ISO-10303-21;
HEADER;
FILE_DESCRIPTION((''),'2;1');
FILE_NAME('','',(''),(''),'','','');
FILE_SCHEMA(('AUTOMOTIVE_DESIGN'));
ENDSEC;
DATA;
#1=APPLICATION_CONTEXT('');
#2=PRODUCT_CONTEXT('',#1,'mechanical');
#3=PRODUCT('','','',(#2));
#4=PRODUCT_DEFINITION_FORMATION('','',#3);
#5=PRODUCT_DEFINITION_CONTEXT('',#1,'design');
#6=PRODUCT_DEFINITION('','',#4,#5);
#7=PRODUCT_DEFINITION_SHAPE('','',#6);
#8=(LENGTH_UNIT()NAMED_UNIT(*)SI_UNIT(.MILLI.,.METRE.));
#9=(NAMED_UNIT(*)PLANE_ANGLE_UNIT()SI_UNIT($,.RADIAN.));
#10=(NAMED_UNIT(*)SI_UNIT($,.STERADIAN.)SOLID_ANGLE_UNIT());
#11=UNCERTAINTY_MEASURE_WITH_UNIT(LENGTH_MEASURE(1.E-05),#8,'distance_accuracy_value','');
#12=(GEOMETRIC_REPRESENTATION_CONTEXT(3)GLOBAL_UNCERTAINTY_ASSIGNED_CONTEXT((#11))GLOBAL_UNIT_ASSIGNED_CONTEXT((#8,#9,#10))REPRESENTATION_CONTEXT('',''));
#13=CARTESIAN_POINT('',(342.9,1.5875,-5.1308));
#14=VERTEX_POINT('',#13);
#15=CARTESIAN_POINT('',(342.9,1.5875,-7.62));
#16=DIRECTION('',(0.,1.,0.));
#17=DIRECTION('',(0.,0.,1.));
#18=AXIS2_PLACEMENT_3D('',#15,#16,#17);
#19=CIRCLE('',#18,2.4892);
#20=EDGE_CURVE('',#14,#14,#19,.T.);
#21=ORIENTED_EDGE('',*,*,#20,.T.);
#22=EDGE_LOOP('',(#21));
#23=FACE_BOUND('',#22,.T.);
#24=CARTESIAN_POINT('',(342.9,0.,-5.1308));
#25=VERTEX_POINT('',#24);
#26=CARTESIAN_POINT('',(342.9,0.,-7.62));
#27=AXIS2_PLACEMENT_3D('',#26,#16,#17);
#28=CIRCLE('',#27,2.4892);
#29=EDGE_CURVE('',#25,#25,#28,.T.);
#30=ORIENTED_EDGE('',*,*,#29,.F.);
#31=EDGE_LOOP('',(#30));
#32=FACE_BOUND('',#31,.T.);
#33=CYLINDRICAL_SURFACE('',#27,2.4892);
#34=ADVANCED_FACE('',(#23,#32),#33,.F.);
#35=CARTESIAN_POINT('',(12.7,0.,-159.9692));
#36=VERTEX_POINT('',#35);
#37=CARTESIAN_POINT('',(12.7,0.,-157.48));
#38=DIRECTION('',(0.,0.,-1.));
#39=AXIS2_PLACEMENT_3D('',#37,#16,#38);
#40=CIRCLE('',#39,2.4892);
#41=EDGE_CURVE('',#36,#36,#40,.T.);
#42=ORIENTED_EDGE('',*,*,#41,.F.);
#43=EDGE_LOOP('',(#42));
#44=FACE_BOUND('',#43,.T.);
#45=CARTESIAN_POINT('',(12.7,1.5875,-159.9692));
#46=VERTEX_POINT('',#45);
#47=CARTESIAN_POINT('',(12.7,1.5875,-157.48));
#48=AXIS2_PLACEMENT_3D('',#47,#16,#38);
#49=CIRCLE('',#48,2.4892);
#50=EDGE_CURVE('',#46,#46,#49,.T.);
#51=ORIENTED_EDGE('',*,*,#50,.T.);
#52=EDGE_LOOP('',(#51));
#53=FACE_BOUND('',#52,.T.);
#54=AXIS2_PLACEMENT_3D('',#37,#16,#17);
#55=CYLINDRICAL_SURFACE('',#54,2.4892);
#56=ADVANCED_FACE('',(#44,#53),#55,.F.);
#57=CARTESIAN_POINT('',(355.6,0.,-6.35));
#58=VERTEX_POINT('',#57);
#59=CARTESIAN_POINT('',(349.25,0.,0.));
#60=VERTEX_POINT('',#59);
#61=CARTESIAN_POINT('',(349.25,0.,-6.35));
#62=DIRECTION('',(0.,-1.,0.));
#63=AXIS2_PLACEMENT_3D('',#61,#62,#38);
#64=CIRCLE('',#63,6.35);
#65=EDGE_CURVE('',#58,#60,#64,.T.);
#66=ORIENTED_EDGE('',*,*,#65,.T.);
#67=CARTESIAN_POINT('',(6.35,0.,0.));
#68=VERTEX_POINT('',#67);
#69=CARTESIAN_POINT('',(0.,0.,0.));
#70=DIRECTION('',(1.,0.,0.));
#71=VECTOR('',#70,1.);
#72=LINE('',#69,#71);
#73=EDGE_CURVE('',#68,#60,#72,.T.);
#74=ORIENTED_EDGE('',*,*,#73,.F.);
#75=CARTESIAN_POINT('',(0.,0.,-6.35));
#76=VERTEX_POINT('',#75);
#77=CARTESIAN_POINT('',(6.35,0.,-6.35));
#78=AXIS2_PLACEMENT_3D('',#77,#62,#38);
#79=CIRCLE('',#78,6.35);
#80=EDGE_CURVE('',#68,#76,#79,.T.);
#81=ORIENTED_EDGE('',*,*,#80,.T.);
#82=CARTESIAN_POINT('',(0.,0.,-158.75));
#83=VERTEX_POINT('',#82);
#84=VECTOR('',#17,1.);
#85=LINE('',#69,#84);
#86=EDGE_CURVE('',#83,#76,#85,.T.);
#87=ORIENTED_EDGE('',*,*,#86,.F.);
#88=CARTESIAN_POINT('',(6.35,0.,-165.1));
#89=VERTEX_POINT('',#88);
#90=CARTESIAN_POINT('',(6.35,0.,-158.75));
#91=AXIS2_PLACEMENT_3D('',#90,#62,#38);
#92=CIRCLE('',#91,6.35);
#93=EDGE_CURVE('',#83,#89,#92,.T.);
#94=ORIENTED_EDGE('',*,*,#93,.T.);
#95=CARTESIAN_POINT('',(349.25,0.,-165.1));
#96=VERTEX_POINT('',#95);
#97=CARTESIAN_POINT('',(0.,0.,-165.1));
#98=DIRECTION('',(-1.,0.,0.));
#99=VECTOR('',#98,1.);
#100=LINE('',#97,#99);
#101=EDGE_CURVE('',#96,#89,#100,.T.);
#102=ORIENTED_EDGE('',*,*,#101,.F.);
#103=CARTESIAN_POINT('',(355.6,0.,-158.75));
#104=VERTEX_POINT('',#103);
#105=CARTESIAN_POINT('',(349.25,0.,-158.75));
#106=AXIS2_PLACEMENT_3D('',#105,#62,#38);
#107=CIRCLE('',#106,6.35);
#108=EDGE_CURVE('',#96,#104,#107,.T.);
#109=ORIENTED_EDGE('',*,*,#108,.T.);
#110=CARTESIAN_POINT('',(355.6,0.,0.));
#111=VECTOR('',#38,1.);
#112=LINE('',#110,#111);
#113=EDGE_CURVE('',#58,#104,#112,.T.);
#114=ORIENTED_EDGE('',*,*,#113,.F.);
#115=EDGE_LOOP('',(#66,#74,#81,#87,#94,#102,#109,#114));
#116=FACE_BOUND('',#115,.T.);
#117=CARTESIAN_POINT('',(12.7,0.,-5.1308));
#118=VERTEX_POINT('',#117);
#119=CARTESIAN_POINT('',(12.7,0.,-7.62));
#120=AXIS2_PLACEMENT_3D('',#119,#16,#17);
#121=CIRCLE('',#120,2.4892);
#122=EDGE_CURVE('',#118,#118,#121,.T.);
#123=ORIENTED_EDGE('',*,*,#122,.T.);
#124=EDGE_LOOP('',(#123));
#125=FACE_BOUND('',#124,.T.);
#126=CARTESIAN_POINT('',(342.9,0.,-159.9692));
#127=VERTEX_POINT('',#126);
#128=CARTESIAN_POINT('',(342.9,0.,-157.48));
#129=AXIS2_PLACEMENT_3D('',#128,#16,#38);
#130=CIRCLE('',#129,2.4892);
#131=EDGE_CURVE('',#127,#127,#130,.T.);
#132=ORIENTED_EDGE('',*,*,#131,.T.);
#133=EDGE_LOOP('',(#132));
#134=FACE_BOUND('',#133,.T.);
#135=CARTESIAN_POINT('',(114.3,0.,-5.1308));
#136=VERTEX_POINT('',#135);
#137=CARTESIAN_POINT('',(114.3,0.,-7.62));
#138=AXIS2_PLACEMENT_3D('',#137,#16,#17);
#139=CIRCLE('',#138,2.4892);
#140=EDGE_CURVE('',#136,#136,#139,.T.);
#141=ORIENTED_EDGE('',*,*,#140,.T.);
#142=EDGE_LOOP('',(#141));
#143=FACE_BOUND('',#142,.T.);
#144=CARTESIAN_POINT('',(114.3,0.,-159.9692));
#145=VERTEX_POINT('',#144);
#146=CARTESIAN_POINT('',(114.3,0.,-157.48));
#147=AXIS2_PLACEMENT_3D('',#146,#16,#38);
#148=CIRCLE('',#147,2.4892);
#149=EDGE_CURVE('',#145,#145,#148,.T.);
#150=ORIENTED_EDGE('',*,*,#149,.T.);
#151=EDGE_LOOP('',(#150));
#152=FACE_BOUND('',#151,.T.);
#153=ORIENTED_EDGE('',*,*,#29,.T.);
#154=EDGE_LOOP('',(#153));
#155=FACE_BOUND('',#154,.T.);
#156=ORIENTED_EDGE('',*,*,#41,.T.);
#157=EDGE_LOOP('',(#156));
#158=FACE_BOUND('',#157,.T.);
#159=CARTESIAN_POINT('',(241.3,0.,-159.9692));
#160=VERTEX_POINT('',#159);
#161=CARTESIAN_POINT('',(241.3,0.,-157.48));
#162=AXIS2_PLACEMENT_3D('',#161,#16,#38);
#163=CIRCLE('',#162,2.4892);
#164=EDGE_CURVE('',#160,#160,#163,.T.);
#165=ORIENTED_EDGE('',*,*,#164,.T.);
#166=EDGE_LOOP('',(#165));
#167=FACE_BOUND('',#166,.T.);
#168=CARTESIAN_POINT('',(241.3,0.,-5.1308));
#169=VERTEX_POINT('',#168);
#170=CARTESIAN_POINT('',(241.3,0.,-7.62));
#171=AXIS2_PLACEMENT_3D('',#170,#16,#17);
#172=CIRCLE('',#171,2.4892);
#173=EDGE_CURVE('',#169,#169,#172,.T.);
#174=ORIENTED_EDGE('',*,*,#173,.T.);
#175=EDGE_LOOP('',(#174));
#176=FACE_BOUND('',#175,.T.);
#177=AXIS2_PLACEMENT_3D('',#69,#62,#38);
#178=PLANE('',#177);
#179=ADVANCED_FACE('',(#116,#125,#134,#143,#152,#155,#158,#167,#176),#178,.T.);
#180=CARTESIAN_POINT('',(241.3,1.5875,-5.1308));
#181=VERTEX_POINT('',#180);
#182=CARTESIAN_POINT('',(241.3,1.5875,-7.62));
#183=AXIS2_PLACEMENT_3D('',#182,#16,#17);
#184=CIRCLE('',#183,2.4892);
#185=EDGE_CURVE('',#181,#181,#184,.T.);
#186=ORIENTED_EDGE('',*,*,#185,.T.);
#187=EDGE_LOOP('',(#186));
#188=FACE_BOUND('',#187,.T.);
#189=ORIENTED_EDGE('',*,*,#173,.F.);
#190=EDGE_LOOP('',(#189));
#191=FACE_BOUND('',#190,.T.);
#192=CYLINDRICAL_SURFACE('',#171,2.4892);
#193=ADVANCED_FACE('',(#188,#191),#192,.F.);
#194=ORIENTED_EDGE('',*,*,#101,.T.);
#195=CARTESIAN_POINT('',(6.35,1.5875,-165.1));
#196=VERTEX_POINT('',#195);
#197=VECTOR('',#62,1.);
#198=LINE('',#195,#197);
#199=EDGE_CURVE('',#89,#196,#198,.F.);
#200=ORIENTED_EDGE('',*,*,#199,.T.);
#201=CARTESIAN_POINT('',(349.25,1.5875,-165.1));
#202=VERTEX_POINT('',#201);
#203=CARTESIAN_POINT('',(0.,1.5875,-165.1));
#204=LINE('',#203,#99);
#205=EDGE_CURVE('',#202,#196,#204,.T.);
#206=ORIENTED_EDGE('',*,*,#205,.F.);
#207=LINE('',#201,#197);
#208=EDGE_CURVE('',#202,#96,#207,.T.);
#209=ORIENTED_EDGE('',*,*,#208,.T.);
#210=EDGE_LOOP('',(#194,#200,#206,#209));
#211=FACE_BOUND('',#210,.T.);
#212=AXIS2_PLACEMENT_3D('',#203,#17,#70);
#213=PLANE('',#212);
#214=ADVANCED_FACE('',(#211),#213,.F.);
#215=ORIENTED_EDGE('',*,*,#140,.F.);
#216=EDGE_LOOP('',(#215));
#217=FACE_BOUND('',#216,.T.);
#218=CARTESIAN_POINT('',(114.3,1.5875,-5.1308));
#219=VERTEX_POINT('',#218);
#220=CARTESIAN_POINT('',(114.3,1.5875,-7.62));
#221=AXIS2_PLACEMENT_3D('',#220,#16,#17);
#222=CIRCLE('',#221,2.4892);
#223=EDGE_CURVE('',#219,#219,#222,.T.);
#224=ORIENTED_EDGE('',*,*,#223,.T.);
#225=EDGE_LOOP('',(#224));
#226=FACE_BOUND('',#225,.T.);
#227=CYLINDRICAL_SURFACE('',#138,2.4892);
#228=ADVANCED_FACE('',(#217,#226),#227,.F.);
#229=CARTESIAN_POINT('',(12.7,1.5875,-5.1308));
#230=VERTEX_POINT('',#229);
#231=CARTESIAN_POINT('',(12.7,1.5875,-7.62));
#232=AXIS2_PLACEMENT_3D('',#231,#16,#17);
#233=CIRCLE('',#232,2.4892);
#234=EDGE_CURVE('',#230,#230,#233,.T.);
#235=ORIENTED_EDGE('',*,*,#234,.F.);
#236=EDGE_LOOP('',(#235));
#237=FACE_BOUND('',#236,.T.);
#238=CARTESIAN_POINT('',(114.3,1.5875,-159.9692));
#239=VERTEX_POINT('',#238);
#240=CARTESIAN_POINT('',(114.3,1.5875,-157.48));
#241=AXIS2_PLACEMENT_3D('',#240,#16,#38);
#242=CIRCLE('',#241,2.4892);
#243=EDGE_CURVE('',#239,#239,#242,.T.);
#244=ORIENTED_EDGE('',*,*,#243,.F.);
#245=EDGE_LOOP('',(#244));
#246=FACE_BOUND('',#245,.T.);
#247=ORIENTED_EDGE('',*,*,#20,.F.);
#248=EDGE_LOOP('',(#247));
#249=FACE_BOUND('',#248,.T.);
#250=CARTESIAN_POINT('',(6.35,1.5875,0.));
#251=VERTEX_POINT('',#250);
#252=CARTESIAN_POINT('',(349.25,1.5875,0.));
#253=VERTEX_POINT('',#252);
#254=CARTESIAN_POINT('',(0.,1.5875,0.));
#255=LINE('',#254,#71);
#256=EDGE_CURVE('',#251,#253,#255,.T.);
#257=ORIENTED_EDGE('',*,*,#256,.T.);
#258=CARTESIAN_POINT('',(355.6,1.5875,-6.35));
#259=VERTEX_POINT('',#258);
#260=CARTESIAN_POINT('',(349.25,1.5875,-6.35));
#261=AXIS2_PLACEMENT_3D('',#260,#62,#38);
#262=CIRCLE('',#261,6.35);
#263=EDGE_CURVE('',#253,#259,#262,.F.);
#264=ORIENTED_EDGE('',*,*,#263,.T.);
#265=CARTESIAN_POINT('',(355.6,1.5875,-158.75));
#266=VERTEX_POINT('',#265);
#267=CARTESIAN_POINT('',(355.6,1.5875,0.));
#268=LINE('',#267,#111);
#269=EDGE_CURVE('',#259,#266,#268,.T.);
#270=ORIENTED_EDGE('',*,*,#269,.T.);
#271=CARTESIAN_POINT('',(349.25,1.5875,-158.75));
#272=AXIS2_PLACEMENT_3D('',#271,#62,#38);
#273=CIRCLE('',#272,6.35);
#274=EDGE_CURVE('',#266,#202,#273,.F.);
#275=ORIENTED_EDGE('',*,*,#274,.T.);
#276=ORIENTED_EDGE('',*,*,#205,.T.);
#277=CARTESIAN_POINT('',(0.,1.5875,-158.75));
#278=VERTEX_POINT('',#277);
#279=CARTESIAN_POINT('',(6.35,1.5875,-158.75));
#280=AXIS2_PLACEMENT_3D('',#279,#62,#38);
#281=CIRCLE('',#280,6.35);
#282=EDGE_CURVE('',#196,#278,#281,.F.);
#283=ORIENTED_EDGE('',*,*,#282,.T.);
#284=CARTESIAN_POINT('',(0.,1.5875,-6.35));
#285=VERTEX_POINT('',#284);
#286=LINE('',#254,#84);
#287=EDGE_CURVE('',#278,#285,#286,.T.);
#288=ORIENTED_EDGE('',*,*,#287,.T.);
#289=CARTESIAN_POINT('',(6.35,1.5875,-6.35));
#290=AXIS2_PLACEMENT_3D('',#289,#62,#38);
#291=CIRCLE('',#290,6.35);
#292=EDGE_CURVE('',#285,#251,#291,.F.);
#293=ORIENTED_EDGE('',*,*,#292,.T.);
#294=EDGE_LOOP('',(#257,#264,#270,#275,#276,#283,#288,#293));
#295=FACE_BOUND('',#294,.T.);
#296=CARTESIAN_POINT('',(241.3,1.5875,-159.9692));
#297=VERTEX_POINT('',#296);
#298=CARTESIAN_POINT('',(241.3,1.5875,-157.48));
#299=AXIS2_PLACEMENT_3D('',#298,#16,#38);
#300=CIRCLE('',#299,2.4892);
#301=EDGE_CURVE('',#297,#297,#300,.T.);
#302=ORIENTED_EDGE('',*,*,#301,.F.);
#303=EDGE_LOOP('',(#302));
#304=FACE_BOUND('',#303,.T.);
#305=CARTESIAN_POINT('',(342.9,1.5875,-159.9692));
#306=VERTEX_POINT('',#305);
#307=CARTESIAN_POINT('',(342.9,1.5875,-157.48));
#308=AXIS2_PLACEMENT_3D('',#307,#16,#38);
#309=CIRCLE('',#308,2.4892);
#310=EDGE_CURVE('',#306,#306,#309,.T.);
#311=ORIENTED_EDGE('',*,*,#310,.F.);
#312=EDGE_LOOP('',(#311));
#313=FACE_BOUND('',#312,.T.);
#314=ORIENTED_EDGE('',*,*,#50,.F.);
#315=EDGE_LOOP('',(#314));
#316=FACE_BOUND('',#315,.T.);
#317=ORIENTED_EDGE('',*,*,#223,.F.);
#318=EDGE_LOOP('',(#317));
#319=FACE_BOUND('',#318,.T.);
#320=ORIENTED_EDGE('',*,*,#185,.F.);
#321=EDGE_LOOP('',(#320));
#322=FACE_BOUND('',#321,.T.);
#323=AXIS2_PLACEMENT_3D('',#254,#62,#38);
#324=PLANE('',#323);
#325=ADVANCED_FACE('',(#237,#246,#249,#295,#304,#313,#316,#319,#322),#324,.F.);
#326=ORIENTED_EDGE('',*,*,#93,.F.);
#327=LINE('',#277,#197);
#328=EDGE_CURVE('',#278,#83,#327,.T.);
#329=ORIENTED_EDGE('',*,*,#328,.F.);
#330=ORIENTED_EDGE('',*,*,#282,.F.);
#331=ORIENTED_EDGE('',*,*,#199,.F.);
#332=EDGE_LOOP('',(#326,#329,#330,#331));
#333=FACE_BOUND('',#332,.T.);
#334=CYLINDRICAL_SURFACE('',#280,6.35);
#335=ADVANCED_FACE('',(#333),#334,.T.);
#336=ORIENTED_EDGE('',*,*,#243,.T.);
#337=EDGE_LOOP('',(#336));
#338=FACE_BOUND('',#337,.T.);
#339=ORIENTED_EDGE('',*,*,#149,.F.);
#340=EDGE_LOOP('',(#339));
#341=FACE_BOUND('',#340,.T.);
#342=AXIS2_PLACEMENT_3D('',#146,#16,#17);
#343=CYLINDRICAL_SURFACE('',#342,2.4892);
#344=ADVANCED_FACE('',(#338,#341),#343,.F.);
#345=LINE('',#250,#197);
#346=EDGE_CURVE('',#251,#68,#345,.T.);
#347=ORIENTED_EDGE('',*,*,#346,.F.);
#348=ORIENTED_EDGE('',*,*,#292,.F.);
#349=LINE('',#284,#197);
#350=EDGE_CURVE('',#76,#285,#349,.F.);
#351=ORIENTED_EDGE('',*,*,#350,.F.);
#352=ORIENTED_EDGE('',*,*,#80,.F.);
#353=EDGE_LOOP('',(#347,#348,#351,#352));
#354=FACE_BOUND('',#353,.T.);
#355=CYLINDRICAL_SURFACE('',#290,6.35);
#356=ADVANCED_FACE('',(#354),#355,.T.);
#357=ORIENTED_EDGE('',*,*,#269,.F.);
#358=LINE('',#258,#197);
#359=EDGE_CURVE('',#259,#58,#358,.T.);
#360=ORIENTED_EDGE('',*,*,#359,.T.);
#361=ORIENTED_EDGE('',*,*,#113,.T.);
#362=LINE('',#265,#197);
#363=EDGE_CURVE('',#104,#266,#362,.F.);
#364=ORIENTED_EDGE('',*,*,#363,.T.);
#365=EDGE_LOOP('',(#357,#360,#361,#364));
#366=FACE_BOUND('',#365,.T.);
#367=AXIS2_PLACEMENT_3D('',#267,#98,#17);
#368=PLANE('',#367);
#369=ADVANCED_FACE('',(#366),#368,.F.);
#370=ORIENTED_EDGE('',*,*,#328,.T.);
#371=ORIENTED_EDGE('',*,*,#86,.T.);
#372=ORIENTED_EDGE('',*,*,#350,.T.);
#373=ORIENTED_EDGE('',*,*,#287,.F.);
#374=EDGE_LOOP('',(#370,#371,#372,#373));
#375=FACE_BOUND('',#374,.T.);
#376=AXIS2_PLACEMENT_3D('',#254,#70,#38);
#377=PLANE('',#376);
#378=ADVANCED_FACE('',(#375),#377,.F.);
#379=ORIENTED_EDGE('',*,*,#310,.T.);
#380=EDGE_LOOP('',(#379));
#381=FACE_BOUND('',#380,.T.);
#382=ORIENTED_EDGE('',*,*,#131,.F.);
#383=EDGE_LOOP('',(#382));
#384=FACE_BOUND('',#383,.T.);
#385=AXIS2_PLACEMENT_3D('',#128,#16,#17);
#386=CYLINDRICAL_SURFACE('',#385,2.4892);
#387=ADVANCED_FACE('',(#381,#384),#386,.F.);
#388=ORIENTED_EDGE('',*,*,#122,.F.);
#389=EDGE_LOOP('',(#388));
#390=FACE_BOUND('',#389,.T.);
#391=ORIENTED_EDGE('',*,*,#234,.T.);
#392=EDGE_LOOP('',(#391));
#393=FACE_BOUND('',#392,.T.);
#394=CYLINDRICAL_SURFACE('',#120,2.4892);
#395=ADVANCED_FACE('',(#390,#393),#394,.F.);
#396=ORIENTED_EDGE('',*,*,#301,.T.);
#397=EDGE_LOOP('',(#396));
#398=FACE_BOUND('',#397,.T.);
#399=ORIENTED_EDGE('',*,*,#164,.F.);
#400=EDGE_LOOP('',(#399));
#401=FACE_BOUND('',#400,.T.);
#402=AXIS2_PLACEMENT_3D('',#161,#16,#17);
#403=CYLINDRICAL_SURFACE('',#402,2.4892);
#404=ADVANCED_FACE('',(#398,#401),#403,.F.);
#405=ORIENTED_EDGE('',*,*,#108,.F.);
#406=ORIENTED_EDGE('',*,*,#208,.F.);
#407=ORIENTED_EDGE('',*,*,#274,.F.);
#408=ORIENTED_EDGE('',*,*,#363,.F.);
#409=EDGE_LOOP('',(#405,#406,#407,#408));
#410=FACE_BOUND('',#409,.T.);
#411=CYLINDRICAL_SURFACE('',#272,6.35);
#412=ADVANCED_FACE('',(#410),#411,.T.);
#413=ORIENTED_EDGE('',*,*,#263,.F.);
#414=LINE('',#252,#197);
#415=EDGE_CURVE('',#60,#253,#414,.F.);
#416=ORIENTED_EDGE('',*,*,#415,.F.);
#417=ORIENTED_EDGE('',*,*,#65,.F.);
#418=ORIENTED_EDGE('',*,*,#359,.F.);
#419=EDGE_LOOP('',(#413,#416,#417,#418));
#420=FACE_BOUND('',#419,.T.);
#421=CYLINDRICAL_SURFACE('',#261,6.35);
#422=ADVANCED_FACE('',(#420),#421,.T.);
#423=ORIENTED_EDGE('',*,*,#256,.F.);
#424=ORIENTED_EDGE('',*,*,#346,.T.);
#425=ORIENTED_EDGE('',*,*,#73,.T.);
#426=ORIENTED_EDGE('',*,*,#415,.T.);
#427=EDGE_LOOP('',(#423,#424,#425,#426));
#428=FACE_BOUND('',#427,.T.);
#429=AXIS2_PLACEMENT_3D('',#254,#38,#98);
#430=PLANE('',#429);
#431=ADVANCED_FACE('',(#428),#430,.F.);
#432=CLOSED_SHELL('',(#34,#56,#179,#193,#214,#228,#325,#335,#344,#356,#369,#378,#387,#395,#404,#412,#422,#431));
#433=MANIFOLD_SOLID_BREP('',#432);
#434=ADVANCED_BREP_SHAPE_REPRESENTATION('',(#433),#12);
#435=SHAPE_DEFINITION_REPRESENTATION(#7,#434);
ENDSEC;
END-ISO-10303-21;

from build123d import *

# Parameters (mm, degrees)
SKETCH1_W           = 355.6
SKETCH1_H           = 165.1
BOSS_EXTRUDE1_DEPTH = 1.5875
FILLET1_R           = 6.35
SKETCH2_R           = 2.4892
CUT_EXTRUDE1_DEPTH  = 2.5875


with BuildPart() as part:
    # Sketch1 → Boss-Extrude1 (new body)
    with BuildSketch(Plane(origin=(0, 0, 0), x_dir=(1, 0, 0), z_dir=(0, 1, 0))):
        with Locations((177.8, 82.55)):
            Rectangle(SKETCH1_W, SKETCH1_H)
    extrude(amount=BOSS_EXTRUDE1_DEPTH)

    # Fillet1
    fillet1_edges = [part.edges().sort_by_distance(p)[0] for p in [
        (0, 0.79375, -165.1),
        (355.6, 0.79375, -165.1),
        (355.6, 0.79375, 0),
        (0, 0.79375, 0),
    ]]
    fillet(fillet1_edges, radius=FILLET1_R)

    # Sketch2 → Cut-Extrude1 (cut, through all)
    with BuildSketch(Plane(origin=(0, 1.5875, 0), x_dir=(1, 0, 0), z_dir=(0, 1, 0))):
        with Locations((12.7, 7.62)):
            Circle(SKETCH2_R)
        with Locations((342.9, 7.62)):
            Circle(SKETCH2_R)
        with Locations((241.3, 7.62)):
            Circle(SKETCH2_R)
        with Locations((114.3, 7.62)):
            Circle(SKETCH2_R)
        with Locations((114.3, 157.48)):
            Circle(SKETCH2_R)
        with Locations((342.9, 157.48)):
            Circle(SKETCH2_R)
        with Locations((12.7, 157.48)):
            Circle(SKETCH2_R)
        with Locations((241.3, 157.48)):
            Circle(SKETCH2_R)
    extrude(amount=-CUT_EXTRUDE1_DEPTH, mode=Mode.SUBTRACT)


solid = part.part
